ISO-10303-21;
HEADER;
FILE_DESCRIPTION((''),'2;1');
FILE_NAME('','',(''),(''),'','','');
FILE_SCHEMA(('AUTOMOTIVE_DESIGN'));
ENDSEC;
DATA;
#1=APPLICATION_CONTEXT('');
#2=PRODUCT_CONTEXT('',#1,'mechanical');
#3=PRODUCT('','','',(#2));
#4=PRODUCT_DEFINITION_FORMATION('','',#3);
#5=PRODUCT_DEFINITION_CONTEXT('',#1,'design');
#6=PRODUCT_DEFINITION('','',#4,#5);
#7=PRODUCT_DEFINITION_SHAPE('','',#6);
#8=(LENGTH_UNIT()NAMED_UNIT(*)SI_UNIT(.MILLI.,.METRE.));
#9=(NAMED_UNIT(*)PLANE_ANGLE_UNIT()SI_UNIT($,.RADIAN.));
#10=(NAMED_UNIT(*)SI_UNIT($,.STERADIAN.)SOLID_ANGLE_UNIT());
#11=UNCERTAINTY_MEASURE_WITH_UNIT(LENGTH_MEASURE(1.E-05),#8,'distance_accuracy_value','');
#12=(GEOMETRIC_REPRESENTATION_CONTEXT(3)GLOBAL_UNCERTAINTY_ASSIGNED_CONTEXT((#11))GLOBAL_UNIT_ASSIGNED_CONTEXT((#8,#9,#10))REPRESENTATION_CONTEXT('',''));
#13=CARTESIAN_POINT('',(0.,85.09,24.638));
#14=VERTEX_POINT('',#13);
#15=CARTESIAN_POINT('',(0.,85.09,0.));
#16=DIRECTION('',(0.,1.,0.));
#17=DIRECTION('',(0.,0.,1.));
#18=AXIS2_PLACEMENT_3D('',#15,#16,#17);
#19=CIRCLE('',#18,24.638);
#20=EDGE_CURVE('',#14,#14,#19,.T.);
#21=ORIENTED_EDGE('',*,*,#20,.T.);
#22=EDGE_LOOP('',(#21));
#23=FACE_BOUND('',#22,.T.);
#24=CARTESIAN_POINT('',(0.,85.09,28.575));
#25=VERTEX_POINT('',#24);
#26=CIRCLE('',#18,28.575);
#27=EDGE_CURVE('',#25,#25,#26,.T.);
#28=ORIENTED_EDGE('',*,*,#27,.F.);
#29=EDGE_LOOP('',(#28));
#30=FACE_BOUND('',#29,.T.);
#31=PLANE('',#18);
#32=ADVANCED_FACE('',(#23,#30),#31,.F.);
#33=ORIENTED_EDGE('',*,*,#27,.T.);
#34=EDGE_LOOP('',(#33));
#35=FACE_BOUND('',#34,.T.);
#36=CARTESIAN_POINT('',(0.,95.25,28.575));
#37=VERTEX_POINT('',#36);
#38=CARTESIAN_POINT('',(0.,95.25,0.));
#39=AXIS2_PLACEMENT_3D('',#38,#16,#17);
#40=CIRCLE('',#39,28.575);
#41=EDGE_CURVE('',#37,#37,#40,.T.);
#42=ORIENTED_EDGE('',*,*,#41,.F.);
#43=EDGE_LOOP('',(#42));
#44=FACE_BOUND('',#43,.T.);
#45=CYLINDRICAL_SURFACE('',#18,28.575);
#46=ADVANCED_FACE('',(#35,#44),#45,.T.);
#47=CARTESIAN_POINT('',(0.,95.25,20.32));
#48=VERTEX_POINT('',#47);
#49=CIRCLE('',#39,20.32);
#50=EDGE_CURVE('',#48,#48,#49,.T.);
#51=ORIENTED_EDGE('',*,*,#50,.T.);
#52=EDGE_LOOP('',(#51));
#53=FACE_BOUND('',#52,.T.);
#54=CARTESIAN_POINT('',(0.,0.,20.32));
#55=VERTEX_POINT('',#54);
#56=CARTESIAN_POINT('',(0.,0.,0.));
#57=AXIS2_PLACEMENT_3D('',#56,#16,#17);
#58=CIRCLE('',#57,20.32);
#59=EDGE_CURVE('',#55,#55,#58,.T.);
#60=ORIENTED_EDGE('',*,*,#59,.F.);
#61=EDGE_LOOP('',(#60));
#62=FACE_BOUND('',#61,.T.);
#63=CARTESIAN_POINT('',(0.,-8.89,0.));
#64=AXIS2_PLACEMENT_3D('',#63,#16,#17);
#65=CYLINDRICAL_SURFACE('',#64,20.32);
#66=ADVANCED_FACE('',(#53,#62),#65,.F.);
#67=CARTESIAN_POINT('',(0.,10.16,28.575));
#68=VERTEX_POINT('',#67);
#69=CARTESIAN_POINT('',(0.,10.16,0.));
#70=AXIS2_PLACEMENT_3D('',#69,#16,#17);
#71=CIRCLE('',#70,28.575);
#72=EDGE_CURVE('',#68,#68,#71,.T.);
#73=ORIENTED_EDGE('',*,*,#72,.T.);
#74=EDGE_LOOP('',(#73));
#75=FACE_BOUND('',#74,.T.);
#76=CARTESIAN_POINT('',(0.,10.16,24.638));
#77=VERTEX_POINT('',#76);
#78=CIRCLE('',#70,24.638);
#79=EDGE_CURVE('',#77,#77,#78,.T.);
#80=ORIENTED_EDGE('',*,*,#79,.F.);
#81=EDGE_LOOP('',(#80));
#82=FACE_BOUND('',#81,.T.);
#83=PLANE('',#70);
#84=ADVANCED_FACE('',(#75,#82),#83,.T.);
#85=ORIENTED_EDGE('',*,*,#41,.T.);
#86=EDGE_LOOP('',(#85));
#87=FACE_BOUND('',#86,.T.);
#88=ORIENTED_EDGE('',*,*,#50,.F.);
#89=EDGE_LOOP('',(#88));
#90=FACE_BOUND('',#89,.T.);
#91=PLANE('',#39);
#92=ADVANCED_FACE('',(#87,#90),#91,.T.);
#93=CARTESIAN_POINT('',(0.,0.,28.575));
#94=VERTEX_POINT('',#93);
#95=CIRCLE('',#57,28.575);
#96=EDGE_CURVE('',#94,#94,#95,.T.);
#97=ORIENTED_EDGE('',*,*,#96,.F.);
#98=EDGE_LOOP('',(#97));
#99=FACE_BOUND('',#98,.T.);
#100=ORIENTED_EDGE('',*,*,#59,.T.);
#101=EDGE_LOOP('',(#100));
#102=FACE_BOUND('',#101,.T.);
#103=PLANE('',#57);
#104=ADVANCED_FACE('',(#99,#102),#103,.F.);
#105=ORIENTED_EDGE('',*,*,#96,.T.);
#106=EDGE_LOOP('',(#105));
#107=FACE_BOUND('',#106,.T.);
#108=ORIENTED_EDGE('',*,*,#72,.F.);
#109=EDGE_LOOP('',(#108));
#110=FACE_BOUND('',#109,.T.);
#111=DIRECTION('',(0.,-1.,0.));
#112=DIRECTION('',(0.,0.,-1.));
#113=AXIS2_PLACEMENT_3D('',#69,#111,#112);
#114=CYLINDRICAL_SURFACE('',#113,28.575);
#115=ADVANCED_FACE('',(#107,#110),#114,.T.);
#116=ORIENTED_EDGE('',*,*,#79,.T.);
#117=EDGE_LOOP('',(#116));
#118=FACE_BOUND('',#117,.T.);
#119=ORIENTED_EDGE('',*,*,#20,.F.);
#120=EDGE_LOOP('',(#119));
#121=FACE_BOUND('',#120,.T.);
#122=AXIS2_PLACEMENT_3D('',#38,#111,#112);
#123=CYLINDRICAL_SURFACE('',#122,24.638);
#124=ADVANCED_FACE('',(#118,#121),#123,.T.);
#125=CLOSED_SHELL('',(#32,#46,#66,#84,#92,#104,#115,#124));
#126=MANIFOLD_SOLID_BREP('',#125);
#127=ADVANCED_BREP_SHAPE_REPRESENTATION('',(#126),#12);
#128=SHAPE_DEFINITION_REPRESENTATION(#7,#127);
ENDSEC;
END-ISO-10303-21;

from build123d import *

# Parameters (mm, degrees)
SKETCH3_R           = 28.575
BOSS_EXTRUDE2_DEPTH = 10.16
SKETCH4_R           = 24.638
BOSS_EXTRUDE3_DEPTH = 85.09
BOSS_EXTRUDE4_START = -10.16
SKETCH5_R           = 28.575
BOSS_EXTRUDE4_DEPTH = 10.16
SKETCH6_R           = 20.32
CUT_EXTRUDE1_DEPTH  = 104.14


with BuildPart() as part:
    # Sketch3 → Boss-Extrude2 (new body)
    with BuildSketch(Plane(origin=(0, 0, 0), x_dir=(1, 0, 0), z_dir=(0, 1, 0))):
        with Locations(Location((0, 0, 0), (0, 0, 270))):
            Circle(SKETCH3_R)
    extrude(amount=BOSS_EXTRUDE2_DEPTH)

    # Sketch4 → Boss-Extrude3 (add)
    with BuildSketch(Plane(origin=(0, 10.16, 0), x_dir=(1, 0, 0), z_dir=(0, 1, 0))):
        with Locations(Location((0, 0, 0), (0, 0, 270))):
            Circle(SKETCH4_R)
    extrude(amount=BOSS_EXTRUDE3_DEPTH)

    # Sketch5 → Boss-Extrude4 (add)
    with BuildSketch(Plane(origin=(0, 95.25, 0), x_dir=(1, 0, 0), z_dir=(0, 1, 0)).offset(BOSS_EXTRUDE4_START)):
        with Locations(Location((0, 0, 0), (0, 0, 270))):
            Circle(SKETCH5_R)
    extrude(amount=BOSS_EXTRUDE4_DEPTH)

    # Sketch6 → Cut-Extrude1 (cut)
    with BuildSketch(Plane(origin=(0, 95.25, 0), x_dir=(1, 0, 0), z_dir=(0, 1, 0))):
        with Locations(Location((0, 0, 0), (0, 0, 270))):
            Circle(SKETCH6_R)
    extrude(amount=-CUT_EXTRUDE1_DEPTH, mode=Mode.SUBTRACT)


solid = part.part
